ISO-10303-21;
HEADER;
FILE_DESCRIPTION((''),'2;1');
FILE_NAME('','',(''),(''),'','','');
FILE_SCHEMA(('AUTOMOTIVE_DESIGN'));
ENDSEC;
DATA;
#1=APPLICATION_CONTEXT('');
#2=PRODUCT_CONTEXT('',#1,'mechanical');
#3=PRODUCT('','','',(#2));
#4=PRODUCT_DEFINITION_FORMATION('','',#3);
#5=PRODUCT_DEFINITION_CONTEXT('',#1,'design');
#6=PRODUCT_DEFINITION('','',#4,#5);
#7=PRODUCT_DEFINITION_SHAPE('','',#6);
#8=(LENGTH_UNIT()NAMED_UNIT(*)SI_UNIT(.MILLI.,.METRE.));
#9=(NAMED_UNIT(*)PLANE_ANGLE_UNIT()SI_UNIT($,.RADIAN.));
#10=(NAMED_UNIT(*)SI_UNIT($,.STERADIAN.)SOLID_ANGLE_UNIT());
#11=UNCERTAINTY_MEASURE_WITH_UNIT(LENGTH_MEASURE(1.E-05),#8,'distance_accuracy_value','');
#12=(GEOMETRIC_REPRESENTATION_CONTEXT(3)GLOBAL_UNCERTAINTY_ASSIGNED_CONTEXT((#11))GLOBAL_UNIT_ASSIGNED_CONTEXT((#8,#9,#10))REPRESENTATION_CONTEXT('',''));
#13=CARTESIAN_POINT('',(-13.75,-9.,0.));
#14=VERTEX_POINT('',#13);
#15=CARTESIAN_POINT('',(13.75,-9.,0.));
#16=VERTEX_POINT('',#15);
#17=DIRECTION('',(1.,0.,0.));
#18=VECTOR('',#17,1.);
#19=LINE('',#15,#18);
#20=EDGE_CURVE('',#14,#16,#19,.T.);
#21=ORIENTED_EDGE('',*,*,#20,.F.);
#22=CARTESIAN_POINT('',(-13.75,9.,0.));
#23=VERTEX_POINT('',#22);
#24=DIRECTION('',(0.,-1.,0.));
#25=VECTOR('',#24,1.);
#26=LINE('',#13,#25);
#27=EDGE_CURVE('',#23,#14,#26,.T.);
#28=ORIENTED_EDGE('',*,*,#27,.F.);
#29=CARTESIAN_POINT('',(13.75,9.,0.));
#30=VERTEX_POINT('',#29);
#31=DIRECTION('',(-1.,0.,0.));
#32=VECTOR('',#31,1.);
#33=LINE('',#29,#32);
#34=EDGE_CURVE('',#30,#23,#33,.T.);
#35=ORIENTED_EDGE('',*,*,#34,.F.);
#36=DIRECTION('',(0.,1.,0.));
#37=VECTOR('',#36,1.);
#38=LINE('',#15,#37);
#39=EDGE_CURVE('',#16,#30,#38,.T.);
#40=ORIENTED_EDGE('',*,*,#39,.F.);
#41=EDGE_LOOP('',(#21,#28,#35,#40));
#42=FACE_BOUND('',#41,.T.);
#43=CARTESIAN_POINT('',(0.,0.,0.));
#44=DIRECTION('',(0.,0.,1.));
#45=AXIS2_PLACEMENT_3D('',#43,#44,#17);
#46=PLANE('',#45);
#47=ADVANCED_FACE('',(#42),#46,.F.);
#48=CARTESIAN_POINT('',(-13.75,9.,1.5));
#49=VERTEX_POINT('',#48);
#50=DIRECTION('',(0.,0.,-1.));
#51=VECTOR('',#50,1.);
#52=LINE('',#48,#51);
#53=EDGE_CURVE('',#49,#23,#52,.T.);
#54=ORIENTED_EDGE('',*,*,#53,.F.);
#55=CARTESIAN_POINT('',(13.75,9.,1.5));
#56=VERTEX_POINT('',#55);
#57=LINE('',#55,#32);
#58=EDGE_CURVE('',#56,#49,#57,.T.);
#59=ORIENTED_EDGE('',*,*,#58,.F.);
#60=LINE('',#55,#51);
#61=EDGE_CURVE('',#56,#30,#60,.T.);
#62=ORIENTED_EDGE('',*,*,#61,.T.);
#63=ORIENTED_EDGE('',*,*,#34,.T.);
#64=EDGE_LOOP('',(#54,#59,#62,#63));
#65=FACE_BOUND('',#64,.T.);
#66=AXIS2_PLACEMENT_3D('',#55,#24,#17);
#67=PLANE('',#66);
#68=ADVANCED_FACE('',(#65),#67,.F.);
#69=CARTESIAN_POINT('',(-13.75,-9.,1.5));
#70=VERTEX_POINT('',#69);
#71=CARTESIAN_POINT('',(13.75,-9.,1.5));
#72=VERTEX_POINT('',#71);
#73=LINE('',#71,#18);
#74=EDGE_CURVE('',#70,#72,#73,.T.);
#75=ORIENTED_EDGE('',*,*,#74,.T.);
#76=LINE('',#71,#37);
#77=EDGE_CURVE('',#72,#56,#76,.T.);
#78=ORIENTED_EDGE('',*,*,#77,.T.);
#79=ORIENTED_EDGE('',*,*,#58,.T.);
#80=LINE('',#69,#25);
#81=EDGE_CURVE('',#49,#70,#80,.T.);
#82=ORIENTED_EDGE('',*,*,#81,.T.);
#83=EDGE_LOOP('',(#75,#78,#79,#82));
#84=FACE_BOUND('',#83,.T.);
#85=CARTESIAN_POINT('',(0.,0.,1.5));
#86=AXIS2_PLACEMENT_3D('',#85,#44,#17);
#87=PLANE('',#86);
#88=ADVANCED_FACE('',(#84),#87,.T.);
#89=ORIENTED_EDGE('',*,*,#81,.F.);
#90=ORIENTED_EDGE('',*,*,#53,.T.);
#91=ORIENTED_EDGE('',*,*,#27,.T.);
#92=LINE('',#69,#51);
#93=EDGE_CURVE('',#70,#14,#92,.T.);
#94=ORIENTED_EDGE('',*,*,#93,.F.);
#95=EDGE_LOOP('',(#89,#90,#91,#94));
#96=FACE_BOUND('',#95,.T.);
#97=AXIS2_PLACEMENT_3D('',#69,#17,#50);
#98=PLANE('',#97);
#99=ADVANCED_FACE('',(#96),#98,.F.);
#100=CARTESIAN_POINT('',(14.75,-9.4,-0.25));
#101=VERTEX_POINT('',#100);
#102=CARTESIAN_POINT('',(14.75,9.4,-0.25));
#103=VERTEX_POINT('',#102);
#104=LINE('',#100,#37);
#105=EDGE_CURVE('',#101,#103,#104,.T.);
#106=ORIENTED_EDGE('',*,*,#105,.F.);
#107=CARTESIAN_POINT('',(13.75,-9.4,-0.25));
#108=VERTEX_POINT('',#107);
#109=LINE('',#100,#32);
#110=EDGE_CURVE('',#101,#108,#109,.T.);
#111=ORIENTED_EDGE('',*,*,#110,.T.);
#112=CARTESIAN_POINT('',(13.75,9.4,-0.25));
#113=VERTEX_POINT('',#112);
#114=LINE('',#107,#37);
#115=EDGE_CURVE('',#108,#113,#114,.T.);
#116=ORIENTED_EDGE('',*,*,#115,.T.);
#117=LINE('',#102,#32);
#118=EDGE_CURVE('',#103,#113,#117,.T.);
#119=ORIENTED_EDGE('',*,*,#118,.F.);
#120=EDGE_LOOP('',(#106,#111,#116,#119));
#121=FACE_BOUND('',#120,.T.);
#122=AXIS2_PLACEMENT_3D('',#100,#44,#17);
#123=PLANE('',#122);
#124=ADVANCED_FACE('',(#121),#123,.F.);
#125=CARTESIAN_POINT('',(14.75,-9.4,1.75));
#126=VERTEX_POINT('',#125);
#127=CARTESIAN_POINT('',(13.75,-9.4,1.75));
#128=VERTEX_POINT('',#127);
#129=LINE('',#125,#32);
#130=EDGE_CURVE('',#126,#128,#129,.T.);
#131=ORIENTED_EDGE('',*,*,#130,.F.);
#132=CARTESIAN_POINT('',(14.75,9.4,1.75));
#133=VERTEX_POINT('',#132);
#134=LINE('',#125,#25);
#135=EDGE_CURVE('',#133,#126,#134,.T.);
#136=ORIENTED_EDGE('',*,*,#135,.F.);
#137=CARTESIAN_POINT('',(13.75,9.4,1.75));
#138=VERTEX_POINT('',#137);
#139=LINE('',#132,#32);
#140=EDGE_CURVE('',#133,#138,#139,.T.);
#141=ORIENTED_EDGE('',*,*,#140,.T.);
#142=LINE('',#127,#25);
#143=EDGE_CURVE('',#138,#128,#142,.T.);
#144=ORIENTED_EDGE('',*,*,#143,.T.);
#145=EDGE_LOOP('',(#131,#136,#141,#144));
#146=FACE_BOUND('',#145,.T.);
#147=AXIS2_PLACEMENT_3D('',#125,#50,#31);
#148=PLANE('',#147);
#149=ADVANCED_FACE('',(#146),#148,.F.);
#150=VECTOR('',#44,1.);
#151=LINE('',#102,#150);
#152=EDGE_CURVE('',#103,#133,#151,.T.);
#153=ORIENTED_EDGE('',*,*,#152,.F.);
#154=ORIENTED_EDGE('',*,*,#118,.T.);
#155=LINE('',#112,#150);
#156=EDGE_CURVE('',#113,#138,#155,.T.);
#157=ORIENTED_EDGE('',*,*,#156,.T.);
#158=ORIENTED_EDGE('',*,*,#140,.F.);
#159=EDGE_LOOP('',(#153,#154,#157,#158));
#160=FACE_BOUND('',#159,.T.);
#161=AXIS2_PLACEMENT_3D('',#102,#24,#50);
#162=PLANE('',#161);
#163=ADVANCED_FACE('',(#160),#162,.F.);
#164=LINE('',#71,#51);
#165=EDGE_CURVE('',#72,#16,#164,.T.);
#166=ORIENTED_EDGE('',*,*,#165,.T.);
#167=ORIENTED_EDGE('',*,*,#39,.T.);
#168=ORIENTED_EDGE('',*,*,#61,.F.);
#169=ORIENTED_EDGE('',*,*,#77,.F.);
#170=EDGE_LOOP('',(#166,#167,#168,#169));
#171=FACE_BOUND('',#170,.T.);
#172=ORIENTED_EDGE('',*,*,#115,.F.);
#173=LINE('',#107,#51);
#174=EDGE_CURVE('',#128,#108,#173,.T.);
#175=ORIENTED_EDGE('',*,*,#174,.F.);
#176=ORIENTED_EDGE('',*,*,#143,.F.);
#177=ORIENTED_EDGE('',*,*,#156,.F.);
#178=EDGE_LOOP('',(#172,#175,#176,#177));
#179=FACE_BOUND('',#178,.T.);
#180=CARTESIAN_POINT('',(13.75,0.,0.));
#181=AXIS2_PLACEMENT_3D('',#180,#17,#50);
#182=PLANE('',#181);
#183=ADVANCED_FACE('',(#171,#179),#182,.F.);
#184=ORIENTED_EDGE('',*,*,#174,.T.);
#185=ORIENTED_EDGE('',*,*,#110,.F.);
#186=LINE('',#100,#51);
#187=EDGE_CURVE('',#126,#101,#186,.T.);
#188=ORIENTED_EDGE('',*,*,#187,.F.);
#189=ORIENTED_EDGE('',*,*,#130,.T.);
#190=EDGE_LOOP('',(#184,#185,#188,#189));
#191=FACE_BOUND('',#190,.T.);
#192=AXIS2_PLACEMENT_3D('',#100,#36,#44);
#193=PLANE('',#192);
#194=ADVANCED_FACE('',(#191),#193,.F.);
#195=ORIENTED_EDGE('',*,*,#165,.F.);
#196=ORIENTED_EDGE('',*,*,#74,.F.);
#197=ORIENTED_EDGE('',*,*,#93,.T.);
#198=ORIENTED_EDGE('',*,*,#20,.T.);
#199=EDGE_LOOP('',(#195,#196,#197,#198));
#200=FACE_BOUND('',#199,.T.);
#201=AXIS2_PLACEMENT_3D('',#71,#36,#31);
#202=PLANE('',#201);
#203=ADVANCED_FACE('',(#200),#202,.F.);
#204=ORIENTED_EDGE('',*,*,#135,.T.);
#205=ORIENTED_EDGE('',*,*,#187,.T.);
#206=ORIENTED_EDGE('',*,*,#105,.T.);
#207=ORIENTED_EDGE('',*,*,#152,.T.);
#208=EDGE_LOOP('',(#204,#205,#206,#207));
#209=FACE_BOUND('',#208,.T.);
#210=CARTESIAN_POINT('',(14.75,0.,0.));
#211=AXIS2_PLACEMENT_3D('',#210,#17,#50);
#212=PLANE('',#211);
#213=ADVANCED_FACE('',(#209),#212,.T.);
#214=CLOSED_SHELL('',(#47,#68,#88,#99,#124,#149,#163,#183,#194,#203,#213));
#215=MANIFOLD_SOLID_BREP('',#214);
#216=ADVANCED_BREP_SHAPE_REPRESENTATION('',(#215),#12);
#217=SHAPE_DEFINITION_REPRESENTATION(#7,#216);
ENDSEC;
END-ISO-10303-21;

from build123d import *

# Parameters (mm, degrees)
SKETCH_1_W      = 27.5
SKETCH_1_H      = 18
EXTRUDE_1_DEPTH = 1.5
SKETCH_2_W      = 2
SKETCH_2_H      = 18.8
EXTRUDE_2_DEPTH = 1


with BuildPart() as part:
    # Эскиз1 → Бобышка-Вытянуть1 (new body)
    with BuildSketch(Plane.XY):
        Rectangle(SKETCH_1_W, SKETCH_1_H)
    extrude(amount=EXTRUDE_1_DEPTH)

    # Эскиз2 → Бобышка-Вытянуть2 (add)
    with BuildSketch(Plane(origin=(13.75, 0, 0), x_dir=(0, 0, -1), z_dir=(1, 0, 0))):
        with Locations((-0.75, 0)):
            Rectangle(SKETCH_2_W, SKETCH_2_H)
    extrude(amount=EXTRUDE_2_DEPTH)


solid = part.part
